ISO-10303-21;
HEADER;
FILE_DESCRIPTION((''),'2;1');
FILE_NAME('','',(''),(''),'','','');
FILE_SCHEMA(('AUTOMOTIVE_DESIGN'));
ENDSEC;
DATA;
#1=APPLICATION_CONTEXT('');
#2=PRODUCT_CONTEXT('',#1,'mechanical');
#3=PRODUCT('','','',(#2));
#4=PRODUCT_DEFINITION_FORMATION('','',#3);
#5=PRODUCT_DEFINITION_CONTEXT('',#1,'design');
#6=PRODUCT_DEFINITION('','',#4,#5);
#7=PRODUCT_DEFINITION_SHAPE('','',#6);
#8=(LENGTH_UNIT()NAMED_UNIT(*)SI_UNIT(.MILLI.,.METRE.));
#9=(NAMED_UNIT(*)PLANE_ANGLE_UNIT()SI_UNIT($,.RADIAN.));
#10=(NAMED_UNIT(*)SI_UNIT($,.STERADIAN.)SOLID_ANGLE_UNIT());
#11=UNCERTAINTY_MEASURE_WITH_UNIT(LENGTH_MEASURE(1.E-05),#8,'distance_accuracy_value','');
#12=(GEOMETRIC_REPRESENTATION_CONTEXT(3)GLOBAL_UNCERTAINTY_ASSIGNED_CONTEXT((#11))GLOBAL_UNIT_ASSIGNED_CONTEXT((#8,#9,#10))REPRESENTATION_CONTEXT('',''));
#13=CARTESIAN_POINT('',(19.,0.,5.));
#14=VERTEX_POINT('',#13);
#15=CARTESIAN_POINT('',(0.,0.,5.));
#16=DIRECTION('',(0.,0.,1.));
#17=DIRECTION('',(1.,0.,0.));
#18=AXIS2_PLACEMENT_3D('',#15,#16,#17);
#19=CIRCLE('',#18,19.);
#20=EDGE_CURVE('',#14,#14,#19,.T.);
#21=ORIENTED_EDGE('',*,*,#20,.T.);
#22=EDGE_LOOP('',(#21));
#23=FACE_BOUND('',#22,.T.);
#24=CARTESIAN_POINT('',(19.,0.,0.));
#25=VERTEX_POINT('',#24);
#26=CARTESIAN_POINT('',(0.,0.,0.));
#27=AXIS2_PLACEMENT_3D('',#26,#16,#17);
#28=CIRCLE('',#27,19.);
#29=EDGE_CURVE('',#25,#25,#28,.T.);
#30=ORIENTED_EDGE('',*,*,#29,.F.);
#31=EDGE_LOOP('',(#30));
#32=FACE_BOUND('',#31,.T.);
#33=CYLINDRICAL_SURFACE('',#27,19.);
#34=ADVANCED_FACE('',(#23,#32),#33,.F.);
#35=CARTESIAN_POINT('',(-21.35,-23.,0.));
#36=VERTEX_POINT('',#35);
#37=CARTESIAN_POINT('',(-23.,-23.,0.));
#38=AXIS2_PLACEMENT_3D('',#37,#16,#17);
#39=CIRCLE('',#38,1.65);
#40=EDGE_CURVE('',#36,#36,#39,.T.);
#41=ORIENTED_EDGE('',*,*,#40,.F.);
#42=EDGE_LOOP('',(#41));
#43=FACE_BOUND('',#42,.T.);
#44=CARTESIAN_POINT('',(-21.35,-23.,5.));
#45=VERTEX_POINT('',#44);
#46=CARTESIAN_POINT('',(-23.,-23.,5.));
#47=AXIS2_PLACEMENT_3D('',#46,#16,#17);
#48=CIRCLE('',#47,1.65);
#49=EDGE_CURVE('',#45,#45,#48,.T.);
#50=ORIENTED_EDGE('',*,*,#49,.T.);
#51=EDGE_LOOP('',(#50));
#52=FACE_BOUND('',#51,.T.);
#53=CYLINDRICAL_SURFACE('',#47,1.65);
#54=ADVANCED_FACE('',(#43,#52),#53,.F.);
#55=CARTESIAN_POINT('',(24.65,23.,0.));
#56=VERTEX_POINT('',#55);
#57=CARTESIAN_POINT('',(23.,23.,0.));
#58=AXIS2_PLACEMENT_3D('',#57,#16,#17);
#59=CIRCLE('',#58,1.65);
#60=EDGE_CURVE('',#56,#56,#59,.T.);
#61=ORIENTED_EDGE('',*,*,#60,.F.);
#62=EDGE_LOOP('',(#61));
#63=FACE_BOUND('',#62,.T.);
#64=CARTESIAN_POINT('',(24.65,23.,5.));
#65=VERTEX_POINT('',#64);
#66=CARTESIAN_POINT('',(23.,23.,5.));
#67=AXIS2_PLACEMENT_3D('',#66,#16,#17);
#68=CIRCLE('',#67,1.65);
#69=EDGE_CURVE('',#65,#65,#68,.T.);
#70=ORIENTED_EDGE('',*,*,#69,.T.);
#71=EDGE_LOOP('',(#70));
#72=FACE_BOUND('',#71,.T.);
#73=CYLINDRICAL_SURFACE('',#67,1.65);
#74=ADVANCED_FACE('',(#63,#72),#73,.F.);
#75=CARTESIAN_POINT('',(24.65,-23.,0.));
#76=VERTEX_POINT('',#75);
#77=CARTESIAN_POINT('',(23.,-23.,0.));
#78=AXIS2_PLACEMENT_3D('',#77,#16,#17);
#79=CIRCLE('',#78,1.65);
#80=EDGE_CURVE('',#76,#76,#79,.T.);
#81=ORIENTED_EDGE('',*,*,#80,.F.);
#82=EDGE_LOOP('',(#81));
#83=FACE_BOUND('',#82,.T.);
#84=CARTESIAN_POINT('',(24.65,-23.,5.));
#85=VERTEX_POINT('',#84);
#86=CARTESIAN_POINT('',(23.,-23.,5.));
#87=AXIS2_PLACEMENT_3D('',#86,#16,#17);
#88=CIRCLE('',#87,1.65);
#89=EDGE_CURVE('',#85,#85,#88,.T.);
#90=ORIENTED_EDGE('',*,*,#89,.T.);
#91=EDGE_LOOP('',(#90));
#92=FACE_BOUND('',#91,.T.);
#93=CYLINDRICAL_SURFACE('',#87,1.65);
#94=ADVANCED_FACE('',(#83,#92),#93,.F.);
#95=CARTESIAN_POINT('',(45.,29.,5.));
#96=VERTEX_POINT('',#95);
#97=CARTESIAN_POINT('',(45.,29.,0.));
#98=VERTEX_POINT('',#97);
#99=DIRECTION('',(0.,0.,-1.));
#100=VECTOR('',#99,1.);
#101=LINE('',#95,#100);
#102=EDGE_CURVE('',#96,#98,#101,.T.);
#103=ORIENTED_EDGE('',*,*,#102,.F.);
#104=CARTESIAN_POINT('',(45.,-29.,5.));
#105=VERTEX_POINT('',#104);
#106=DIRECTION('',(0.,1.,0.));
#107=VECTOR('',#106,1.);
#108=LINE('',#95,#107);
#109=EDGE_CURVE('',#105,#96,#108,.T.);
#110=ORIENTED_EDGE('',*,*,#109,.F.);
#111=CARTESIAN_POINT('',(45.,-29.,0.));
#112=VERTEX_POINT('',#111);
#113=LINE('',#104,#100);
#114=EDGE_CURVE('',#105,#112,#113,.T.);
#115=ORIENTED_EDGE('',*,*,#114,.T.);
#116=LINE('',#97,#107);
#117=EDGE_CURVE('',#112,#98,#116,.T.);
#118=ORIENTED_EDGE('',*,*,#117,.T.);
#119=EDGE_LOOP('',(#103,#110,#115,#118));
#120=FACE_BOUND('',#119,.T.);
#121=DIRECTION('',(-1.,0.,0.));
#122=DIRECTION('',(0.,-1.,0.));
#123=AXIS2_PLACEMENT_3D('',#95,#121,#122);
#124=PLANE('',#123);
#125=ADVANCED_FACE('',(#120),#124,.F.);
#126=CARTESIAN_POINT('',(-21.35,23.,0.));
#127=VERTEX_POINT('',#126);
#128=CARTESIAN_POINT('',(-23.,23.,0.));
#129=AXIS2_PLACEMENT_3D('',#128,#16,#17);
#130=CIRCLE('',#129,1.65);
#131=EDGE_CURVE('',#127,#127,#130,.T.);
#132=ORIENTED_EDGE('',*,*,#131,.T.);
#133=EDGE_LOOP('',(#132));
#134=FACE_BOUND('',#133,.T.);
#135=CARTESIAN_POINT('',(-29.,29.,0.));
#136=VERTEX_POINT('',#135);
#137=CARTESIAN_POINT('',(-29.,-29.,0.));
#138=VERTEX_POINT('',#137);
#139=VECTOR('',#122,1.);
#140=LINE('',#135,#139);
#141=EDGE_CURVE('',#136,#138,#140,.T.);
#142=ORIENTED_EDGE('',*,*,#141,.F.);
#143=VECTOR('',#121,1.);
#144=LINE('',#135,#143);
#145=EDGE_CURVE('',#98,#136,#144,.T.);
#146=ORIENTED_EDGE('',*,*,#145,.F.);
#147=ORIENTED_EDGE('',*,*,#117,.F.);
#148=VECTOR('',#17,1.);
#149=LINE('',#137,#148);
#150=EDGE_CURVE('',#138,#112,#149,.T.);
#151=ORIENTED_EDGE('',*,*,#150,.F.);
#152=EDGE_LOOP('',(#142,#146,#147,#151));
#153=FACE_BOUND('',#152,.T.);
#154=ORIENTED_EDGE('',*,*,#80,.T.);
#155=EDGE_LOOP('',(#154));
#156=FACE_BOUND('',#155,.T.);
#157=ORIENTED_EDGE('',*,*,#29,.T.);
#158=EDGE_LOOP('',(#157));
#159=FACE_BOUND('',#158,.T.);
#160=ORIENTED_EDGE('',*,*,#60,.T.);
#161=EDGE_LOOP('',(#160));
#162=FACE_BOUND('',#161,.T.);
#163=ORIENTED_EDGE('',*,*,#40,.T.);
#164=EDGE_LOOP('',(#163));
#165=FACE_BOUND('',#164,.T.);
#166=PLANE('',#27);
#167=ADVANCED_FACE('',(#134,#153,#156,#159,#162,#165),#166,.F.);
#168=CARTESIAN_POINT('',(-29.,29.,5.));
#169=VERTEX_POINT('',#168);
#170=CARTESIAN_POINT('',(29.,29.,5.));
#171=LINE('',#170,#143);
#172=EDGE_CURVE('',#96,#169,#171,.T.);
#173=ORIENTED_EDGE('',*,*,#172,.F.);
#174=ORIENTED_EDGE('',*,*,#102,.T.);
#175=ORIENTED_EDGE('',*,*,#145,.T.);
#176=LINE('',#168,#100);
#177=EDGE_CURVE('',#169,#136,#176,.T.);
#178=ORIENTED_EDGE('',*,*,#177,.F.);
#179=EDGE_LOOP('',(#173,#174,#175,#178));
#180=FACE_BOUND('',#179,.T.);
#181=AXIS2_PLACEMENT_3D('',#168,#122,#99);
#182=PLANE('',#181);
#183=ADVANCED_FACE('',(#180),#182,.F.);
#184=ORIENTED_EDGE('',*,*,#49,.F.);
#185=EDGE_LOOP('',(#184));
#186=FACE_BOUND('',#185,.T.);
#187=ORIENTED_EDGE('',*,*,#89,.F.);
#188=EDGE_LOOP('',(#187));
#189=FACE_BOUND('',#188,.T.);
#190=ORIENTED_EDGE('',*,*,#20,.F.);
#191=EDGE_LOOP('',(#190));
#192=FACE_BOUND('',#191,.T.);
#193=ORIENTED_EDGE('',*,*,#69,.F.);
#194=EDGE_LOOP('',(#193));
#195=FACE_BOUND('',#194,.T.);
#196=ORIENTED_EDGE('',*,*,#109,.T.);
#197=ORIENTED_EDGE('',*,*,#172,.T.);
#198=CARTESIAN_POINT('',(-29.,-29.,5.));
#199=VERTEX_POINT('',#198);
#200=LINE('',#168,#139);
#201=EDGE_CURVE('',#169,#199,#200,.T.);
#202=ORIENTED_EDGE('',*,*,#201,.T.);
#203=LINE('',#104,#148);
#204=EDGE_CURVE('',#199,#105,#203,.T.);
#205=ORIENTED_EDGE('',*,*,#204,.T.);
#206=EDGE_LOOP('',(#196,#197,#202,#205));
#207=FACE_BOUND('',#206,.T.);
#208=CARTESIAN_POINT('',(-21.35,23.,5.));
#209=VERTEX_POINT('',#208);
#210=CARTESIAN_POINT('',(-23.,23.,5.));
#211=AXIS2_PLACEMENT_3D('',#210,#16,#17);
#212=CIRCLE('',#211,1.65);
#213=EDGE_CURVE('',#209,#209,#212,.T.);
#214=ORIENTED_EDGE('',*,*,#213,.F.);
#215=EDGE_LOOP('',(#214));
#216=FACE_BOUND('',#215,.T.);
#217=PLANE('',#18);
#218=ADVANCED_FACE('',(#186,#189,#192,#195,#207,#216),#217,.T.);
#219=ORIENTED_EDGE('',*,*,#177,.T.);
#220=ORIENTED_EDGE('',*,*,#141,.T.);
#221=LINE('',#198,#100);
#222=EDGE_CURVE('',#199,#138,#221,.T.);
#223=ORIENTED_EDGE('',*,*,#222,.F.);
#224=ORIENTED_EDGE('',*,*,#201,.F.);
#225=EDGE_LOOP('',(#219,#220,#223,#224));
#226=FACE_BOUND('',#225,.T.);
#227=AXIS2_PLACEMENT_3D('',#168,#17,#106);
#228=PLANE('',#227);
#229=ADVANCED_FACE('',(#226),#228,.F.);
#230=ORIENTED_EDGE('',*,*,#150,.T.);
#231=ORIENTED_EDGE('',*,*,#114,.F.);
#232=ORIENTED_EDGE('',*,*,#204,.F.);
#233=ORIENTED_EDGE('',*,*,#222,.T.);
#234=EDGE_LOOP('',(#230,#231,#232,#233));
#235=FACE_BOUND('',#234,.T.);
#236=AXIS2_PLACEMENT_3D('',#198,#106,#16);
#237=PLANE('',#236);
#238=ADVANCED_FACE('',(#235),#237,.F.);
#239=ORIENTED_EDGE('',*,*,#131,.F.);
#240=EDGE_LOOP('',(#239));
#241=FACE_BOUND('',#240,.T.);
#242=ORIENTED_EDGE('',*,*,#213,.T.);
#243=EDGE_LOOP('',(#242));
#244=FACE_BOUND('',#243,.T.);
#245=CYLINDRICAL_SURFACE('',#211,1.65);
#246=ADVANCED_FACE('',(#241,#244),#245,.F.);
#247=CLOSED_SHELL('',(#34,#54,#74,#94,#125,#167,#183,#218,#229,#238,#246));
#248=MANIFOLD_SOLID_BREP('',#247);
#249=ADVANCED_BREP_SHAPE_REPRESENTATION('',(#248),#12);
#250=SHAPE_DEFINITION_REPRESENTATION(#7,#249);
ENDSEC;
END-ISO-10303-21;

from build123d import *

# Parameters (mm, degrees)
EXTRUDE_1_DEPTH     = 5
HOLE_WIZARD_M4_1_D  = 3.3
SKETCH_5_R          = 19
CUT_EXTRUDE_1_DEPTH = 54.768020235


with BuildPart() as part:
    # 草图1 → 凸台-拉伸1 (new body)
    with BuildSketch(Plane.XY):
        Polygon((29, 29), (45, 29), (45, -29), (29, -29), (-29, -29), (-29, 29), align=None)
    extrude(amount=EXTRUDE_1_DEPTH)

    # M4 螺纹孔的螺纹孔钻头1 (through all)
    with Locations(Plane(origin=(-23, 23, 5), x_dir=(1, 0, 0), z_dir=(0, 0, 1))):
        with Locations((0, 0), (46, 0)):
            hole_wizard_m4_1 = Hole(HOLE_WIZARD_M4_1_D / 2)

    # 镜向1: M4 螺纹孔的螺纹孔钻头1 across plane
    add(hole_wizard_m4_1.mirror(Plane.ZX), mode=Mode.SUBTRACT)

    # 草图5 → 切除-拉伸1 (cut, through all)
    with BuildSketch(Plane.XY.offset(5)):
        Circle(SKETCH_5_R)
    extrude(amount=-CUT_EXTRUDE_1_DEPTH, mode=Mode.SUBTRACT)


solid = part.part
